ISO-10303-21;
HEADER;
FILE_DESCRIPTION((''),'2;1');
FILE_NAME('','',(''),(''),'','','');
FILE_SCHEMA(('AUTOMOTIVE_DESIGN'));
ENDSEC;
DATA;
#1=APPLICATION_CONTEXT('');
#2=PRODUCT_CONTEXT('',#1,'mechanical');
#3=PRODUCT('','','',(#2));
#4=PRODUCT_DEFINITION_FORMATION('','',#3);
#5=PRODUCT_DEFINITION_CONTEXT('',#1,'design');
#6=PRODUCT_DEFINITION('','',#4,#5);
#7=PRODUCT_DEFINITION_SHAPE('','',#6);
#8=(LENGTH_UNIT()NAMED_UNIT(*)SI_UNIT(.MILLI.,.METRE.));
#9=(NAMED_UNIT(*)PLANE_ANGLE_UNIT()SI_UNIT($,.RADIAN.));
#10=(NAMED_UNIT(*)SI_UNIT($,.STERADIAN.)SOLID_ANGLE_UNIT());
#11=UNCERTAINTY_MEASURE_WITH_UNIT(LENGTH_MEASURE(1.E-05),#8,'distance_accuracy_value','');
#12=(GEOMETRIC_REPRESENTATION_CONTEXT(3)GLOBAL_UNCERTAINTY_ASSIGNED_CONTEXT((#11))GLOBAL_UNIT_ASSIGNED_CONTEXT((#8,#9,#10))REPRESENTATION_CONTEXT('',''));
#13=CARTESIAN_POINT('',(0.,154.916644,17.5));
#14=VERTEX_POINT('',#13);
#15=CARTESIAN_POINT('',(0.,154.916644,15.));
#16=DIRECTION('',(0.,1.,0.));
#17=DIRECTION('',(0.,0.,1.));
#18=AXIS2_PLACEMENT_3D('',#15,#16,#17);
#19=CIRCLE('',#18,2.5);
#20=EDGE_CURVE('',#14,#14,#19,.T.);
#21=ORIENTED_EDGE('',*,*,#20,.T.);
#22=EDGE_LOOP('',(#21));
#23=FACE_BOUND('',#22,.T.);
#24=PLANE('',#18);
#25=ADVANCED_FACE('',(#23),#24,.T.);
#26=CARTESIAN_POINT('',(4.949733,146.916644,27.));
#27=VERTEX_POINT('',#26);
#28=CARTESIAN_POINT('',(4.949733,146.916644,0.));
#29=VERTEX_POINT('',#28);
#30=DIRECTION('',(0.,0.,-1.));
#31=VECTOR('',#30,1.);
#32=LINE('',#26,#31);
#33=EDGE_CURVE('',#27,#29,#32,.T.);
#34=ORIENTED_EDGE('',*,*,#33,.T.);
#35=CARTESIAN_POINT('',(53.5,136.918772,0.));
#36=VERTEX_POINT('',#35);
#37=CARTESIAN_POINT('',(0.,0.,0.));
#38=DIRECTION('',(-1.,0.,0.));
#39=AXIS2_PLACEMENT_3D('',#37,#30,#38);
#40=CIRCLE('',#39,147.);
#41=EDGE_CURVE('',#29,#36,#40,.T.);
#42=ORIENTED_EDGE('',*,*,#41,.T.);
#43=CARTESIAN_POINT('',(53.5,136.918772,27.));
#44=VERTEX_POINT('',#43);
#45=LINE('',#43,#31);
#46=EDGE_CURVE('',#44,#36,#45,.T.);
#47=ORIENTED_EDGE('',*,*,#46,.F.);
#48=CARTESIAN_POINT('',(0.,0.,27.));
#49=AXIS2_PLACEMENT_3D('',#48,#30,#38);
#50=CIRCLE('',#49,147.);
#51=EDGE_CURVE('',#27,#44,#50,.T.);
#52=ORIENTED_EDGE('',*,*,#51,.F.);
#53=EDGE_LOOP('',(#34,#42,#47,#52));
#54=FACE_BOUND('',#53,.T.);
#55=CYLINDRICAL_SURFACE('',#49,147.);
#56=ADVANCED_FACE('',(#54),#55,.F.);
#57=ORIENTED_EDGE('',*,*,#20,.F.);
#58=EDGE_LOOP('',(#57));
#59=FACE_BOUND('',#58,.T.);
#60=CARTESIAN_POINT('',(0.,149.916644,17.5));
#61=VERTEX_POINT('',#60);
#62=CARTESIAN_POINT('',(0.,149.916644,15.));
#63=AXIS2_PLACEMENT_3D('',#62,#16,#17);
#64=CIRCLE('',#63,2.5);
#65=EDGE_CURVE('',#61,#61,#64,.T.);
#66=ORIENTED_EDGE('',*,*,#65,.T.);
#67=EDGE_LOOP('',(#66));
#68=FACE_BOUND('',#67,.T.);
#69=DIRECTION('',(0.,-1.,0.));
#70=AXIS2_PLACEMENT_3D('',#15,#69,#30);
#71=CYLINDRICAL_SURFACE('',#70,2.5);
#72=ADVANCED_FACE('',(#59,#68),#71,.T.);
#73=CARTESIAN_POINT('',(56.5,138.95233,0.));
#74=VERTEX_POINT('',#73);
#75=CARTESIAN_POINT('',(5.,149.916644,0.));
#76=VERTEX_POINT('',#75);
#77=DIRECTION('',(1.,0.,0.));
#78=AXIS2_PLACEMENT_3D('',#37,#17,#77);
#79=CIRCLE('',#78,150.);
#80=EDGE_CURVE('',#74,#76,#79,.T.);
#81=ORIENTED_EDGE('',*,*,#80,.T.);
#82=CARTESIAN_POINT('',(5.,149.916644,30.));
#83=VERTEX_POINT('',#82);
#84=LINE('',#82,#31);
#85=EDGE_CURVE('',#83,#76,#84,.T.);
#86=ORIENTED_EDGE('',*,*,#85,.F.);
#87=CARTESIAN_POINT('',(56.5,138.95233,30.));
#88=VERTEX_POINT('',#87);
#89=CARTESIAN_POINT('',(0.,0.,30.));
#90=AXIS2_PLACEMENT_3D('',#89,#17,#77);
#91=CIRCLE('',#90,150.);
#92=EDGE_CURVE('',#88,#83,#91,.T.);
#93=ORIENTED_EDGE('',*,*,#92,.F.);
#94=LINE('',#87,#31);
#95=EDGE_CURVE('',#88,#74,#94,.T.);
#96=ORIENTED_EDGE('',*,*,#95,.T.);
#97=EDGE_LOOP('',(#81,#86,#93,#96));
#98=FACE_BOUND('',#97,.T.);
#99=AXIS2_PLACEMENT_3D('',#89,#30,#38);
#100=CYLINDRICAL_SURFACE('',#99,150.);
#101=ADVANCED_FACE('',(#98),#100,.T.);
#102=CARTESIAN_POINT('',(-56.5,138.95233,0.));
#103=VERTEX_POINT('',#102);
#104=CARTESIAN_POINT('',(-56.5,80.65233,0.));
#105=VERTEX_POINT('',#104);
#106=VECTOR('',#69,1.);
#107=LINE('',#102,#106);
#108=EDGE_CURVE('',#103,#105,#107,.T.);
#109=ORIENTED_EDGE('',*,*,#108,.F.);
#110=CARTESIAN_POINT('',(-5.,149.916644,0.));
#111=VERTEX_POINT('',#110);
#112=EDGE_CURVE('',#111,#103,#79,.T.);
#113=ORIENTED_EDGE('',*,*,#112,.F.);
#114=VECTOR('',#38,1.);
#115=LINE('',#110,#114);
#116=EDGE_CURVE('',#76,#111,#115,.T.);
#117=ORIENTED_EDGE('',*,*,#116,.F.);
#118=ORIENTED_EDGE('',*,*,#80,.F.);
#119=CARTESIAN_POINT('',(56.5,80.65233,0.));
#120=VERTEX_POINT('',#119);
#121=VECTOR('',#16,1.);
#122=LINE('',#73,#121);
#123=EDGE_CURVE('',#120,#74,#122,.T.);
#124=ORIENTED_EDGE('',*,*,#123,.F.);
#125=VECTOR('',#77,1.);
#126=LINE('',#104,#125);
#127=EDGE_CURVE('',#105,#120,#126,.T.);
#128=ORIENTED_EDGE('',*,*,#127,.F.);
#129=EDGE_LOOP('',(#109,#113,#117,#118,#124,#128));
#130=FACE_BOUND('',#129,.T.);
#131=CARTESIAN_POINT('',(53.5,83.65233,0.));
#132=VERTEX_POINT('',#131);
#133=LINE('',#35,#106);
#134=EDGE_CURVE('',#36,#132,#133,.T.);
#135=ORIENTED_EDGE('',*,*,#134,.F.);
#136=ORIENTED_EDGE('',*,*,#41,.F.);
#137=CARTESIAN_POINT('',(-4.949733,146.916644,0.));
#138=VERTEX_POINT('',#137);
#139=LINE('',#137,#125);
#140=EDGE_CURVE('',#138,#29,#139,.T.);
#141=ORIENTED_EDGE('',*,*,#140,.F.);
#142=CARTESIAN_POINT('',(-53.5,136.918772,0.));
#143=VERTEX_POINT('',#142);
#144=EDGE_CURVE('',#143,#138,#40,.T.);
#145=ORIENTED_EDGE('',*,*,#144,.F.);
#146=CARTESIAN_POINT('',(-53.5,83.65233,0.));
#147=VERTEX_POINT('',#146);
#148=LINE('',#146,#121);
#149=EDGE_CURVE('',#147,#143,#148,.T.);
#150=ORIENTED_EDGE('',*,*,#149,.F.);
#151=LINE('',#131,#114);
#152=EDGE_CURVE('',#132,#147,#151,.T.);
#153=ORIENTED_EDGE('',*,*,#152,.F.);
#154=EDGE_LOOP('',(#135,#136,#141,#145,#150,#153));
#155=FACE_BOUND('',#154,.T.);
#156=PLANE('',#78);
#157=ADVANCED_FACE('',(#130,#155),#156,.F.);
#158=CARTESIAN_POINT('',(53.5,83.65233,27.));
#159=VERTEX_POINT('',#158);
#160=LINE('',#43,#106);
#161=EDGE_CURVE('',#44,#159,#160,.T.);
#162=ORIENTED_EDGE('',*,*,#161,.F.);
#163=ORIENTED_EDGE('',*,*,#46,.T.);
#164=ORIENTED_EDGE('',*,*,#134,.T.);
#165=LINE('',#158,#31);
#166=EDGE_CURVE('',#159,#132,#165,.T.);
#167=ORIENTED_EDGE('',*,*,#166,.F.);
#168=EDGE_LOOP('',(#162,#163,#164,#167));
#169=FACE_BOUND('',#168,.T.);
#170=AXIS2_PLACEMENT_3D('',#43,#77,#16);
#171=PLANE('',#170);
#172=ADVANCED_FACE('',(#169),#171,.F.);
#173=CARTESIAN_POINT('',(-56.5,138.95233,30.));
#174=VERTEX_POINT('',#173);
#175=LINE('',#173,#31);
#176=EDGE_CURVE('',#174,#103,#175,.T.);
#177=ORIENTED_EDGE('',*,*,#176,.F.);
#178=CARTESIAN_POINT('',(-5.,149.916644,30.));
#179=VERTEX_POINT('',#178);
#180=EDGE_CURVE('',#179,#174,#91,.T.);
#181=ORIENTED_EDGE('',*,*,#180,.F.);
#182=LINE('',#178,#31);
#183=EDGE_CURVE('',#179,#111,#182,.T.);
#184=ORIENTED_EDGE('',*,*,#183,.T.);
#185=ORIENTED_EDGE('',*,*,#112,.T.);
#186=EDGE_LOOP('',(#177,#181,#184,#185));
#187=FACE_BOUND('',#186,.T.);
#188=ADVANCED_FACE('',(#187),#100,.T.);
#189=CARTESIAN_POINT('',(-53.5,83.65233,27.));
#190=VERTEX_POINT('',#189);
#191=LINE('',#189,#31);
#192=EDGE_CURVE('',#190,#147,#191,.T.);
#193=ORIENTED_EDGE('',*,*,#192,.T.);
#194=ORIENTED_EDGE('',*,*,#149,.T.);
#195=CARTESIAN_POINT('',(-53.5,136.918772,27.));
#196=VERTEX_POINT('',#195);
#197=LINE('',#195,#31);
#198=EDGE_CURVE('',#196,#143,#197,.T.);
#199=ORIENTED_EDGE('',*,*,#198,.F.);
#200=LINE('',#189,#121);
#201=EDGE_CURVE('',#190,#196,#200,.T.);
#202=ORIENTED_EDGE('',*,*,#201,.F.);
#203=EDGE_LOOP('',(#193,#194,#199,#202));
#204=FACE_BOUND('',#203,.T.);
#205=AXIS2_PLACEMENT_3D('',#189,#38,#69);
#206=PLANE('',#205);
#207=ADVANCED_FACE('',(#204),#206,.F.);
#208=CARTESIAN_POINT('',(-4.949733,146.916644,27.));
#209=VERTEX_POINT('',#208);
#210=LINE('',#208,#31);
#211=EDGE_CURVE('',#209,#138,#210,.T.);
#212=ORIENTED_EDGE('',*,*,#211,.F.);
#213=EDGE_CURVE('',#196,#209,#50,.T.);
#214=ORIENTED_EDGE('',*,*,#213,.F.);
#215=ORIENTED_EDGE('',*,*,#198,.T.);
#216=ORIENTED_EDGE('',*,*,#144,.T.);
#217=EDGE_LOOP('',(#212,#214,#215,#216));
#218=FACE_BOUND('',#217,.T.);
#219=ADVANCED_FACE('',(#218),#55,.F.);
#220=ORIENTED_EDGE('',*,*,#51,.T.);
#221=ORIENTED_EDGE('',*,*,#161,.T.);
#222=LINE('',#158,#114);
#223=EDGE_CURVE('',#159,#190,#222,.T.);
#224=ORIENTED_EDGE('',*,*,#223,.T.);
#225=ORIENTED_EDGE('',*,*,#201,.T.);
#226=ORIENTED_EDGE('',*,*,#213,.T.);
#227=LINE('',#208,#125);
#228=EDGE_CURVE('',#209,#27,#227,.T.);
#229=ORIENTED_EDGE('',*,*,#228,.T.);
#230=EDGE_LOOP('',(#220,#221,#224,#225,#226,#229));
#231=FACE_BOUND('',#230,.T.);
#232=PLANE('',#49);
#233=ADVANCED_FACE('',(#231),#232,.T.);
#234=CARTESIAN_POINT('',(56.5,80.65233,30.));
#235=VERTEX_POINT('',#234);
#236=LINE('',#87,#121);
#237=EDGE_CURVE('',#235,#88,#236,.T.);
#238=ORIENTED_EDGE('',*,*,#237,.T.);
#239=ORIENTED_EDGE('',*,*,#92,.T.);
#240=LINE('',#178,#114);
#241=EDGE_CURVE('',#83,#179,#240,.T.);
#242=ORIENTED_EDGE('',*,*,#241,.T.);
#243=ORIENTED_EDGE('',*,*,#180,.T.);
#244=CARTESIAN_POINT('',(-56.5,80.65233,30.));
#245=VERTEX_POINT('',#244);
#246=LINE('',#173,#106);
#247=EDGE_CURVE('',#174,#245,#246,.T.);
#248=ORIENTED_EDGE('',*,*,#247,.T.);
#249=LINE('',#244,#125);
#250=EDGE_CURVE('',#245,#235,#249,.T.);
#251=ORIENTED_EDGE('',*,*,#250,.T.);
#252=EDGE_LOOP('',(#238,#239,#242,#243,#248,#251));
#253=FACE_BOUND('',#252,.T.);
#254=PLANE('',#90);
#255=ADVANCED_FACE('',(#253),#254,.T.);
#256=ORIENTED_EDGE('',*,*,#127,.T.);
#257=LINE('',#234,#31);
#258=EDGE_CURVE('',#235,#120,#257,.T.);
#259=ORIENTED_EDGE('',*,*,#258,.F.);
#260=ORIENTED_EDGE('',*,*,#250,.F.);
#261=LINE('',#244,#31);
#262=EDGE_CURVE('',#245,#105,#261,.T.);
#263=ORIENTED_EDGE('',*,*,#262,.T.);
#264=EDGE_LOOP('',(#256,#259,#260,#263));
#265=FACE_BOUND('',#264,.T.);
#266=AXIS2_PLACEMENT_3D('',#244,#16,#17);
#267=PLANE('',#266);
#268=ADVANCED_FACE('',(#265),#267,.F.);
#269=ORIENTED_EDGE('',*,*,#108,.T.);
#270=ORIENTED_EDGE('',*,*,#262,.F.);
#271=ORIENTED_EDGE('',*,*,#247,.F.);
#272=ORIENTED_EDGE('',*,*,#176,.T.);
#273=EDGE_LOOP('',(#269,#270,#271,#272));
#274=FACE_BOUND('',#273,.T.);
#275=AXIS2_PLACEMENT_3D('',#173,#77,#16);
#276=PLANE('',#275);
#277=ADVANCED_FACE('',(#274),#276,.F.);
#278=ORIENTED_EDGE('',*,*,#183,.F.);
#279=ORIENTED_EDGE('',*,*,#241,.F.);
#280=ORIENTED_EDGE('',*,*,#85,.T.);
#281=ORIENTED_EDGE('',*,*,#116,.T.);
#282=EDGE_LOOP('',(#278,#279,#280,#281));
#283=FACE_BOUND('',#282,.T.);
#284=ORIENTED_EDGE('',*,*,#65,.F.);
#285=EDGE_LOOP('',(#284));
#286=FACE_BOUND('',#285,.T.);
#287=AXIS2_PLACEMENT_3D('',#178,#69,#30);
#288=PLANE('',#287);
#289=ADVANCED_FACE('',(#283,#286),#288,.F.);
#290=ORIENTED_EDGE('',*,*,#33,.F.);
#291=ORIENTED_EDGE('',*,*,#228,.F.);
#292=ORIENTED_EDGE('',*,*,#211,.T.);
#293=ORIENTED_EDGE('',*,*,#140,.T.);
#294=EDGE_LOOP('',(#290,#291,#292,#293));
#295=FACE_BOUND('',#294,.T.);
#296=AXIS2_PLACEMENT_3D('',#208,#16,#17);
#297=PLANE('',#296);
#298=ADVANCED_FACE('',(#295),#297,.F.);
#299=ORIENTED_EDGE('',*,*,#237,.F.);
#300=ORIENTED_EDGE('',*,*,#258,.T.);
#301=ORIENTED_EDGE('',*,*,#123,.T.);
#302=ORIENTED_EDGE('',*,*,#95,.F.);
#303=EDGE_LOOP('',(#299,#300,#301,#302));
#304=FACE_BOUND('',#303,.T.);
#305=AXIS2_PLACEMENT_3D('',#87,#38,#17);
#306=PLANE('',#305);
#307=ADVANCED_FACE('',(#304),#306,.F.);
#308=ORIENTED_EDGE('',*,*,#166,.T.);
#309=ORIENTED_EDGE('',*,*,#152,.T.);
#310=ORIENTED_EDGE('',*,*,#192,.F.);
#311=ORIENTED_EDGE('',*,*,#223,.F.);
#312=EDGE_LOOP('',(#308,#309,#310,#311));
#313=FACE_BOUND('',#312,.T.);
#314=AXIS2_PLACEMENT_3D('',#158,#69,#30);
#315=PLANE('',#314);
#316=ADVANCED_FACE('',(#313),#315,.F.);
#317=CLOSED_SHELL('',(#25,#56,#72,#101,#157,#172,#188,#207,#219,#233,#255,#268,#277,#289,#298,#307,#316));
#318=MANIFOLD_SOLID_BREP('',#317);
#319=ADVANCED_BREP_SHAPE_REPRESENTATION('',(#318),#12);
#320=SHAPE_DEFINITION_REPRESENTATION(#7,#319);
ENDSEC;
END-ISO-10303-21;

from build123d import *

# Parameters (mm, degrees)
BOSS_EXTRUDE1_DEPTH = 30
CUT_EXTRUDE1_DEPTH  = 27
SKETCH3_R           = 2.5
BOSS_EXTRUDE2_DEPTH = 5


with BuildPart() as part:
    # Sketch1 → Boss-Extrude1 (new body)
    with BuildSketch(Plane.XY):
        with BuildLine():
            Line((-5, 149.916643506), (5, 149.916643506))
            ThreePointArc((5, 149.916643506), (31.23486102, 146.711906324), (56.5, 138.952329955))
            Line((56.5, 138.952329955), (56.5, 80.652329955))
            Line((56.5, 80.652329955), (-56.5, 80.652329955))
            Line((-56.5, 80.652329955), (-56.5, 138.952329955))
            ThreePointArc((-56.5, 138.952329955), (-31.23486102, 146.711906324), (-5, 149.916643506))
        make_face()
    extrude(amount=BOSS_EXTRUDE1_DEPTH)

    # Sketch2 → Cut-Extrude1 (cut)
    with BuildSketch(Plane(origin=(0, 0, 0), x_dir=(-1, 0, 0), z_dir=(0, 0, -1))):
        with BuildLine():
            Line((4.949733431, 146.916643506), (-4.949733431, 146.916643506))
            ThreePointArc((-4.949733431, 146.916643506), (-29.649320321, 143.978879717), (-53.5, 136.91877154))
            Line((-53.5, 136.91877154), (-53.5, 83.652329955))
            Line((-53.5, 83.652329955), (53.5, 83.652329955))
            Line((53.5, 83.652329955), (53.5, 136.91877154))
            ThreePointArc((53.5, 136.91877154), (29.649320321, 143.978879717), (4.949733431, 146.916643506))
        make_face()
    extrude(amount=-CUT_EXTRUDE1_DEPTH, mode=Mode.SUBTRACT)

    # Sketch3 → Boss-Extrude2 (add)
    with BuildSketch(Plane(origin=(0, 149.916643506, 0), x_dir=(1, 0, 0), z_dir=(0, 1, 0))):
        with Locations(Location((0, -15, 0), (0, 0, 270))):
            Circle(SKETCH3_R)
    extrude(amount=BOSS_EXTRUDE2_DEPTH)


solid = part.part
